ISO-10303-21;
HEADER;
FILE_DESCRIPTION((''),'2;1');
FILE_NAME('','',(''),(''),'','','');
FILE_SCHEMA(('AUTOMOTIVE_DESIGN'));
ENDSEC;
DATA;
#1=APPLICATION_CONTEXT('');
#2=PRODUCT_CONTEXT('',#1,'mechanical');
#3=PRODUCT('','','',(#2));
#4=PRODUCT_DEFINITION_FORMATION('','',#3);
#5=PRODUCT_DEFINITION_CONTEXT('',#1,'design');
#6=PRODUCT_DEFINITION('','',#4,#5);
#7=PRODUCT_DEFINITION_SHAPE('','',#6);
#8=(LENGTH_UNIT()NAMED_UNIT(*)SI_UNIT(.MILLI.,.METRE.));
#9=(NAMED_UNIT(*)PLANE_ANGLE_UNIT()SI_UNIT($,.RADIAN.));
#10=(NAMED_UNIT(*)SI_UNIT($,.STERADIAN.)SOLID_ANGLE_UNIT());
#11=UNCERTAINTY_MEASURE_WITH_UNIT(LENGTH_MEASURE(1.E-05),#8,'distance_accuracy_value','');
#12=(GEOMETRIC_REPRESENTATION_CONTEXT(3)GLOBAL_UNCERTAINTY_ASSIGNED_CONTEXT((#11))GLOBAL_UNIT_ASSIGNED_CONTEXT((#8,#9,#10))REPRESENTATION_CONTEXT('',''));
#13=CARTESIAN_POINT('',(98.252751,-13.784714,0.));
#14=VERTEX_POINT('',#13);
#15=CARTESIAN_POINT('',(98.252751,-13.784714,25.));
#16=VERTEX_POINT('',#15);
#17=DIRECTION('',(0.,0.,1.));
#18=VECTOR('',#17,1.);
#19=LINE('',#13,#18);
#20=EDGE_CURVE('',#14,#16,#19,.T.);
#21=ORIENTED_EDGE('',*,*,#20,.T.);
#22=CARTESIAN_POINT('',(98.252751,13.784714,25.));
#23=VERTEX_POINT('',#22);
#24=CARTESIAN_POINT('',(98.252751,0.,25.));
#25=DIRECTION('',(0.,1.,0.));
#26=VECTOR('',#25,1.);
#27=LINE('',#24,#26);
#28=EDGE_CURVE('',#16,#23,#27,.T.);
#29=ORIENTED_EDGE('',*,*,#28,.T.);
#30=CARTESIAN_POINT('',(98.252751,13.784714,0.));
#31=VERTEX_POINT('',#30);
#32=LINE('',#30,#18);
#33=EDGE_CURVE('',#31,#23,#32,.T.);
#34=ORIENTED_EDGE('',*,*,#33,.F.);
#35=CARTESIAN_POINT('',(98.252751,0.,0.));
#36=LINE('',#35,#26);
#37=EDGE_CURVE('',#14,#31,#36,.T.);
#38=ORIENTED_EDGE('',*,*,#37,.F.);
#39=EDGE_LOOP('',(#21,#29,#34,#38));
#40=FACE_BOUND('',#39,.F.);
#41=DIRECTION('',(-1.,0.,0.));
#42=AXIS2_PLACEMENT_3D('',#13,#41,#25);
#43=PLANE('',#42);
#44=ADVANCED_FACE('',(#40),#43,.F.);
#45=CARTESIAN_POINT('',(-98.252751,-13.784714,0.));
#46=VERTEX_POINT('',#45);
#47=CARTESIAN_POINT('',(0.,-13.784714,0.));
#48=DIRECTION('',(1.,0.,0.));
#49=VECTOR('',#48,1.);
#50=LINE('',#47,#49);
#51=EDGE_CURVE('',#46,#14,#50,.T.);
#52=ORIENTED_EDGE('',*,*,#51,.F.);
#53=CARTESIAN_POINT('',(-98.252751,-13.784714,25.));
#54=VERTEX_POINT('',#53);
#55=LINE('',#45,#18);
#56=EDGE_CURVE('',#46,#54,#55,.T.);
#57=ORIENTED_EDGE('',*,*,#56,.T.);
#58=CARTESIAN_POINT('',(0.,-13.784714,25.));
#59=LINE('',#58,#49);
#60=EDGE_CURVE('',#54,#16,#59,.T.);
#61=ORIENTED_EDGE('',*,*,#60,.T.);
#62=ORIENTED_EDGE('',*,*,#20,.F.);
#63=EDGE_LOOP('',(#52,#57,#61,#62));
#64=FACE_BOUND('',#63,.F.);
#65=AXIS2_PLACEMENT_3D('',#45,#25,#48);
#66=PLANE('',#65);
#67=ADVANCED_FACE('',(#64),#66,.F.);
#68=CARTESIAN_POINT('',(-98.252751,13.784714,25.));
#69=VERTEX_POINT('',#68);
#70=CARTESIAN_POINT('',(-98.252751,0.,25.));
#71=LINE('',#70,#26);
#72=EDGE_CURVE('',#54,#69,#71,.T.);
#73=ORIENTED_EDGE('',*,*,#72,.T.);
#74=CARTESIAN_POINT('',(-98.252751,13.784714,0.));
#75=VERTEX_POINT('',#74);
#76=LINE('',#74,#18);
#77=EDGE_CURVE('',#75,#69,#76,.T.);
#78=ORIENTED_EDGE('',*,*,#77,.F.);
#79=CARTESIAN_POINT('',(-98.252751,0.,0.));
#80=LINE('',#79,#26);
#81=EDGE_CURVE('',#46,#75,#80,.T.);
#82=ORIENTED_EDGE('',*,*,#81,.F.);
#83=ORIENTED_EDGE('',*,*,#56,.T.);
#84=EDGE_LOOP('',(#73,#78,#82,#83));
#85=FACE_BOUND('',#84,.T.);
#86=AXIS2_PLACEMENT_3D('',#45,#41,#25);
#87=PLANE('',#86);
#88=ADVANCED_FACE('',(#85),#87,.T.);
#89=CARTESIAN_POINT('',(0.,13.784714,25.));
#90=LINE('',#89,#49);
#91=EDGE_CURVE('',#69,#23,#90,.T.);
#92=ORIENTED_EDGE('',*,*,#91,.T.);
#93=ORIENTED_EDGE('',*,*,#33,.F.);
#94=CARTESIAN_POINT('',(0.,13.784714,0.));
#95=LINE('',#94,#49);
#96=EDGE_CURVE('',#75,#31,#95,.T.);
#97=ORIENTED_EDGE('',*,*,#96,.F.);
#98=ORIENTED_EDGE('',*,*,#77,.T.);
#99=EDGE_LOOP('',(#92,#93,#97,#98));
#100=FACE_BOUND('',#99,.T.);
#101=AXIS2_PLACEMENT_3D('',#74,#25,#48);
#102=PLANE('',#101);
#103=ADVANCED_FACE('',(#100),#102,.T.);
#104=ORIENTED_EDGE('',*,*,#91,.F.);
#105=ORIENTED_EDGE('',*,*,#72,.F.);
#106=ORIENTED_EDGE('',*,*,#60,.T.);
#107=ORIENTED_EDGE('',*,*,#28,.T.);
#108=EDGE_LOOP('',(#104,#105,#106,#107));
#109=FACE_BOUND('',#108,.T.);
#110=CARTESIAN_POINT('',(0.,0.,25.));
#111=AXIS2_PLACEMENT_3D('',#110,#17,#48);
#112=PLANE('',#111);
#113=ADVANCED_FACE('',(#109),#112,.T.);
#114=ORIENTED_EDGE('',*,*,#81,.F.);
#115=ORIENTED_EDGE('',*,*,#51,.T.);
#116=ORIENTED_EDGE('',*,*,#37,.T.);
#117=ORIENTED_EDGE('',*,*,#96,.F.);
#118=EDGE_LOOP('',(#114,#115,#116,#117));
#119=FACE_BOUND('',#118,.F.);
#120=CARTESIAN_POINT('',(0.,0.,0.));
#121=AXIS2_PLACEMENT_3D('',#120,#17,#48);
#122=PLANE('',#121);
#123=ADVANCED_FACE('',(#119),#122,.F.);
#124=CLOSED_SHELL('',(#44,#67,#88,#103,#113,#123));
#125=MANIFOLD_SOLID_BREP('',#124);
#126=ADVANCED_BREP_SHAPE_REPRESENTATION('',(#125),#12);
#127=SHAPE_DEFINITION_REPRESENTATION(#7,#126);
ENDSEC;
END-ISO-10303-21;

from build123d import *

# Parameters (mm, degrees)
F1_W     = 196.505502
F1_H     = 27.569428
F2_DEPTH = 25


with BuildPart() as f2:
    # F1 (on face) → F2 (new body)
    with BuildSketch(Plane.XY):
        Rectangle(F1_W, F1_H)
    extrude(amount=F2_DEPTH)


solid = f2.part
